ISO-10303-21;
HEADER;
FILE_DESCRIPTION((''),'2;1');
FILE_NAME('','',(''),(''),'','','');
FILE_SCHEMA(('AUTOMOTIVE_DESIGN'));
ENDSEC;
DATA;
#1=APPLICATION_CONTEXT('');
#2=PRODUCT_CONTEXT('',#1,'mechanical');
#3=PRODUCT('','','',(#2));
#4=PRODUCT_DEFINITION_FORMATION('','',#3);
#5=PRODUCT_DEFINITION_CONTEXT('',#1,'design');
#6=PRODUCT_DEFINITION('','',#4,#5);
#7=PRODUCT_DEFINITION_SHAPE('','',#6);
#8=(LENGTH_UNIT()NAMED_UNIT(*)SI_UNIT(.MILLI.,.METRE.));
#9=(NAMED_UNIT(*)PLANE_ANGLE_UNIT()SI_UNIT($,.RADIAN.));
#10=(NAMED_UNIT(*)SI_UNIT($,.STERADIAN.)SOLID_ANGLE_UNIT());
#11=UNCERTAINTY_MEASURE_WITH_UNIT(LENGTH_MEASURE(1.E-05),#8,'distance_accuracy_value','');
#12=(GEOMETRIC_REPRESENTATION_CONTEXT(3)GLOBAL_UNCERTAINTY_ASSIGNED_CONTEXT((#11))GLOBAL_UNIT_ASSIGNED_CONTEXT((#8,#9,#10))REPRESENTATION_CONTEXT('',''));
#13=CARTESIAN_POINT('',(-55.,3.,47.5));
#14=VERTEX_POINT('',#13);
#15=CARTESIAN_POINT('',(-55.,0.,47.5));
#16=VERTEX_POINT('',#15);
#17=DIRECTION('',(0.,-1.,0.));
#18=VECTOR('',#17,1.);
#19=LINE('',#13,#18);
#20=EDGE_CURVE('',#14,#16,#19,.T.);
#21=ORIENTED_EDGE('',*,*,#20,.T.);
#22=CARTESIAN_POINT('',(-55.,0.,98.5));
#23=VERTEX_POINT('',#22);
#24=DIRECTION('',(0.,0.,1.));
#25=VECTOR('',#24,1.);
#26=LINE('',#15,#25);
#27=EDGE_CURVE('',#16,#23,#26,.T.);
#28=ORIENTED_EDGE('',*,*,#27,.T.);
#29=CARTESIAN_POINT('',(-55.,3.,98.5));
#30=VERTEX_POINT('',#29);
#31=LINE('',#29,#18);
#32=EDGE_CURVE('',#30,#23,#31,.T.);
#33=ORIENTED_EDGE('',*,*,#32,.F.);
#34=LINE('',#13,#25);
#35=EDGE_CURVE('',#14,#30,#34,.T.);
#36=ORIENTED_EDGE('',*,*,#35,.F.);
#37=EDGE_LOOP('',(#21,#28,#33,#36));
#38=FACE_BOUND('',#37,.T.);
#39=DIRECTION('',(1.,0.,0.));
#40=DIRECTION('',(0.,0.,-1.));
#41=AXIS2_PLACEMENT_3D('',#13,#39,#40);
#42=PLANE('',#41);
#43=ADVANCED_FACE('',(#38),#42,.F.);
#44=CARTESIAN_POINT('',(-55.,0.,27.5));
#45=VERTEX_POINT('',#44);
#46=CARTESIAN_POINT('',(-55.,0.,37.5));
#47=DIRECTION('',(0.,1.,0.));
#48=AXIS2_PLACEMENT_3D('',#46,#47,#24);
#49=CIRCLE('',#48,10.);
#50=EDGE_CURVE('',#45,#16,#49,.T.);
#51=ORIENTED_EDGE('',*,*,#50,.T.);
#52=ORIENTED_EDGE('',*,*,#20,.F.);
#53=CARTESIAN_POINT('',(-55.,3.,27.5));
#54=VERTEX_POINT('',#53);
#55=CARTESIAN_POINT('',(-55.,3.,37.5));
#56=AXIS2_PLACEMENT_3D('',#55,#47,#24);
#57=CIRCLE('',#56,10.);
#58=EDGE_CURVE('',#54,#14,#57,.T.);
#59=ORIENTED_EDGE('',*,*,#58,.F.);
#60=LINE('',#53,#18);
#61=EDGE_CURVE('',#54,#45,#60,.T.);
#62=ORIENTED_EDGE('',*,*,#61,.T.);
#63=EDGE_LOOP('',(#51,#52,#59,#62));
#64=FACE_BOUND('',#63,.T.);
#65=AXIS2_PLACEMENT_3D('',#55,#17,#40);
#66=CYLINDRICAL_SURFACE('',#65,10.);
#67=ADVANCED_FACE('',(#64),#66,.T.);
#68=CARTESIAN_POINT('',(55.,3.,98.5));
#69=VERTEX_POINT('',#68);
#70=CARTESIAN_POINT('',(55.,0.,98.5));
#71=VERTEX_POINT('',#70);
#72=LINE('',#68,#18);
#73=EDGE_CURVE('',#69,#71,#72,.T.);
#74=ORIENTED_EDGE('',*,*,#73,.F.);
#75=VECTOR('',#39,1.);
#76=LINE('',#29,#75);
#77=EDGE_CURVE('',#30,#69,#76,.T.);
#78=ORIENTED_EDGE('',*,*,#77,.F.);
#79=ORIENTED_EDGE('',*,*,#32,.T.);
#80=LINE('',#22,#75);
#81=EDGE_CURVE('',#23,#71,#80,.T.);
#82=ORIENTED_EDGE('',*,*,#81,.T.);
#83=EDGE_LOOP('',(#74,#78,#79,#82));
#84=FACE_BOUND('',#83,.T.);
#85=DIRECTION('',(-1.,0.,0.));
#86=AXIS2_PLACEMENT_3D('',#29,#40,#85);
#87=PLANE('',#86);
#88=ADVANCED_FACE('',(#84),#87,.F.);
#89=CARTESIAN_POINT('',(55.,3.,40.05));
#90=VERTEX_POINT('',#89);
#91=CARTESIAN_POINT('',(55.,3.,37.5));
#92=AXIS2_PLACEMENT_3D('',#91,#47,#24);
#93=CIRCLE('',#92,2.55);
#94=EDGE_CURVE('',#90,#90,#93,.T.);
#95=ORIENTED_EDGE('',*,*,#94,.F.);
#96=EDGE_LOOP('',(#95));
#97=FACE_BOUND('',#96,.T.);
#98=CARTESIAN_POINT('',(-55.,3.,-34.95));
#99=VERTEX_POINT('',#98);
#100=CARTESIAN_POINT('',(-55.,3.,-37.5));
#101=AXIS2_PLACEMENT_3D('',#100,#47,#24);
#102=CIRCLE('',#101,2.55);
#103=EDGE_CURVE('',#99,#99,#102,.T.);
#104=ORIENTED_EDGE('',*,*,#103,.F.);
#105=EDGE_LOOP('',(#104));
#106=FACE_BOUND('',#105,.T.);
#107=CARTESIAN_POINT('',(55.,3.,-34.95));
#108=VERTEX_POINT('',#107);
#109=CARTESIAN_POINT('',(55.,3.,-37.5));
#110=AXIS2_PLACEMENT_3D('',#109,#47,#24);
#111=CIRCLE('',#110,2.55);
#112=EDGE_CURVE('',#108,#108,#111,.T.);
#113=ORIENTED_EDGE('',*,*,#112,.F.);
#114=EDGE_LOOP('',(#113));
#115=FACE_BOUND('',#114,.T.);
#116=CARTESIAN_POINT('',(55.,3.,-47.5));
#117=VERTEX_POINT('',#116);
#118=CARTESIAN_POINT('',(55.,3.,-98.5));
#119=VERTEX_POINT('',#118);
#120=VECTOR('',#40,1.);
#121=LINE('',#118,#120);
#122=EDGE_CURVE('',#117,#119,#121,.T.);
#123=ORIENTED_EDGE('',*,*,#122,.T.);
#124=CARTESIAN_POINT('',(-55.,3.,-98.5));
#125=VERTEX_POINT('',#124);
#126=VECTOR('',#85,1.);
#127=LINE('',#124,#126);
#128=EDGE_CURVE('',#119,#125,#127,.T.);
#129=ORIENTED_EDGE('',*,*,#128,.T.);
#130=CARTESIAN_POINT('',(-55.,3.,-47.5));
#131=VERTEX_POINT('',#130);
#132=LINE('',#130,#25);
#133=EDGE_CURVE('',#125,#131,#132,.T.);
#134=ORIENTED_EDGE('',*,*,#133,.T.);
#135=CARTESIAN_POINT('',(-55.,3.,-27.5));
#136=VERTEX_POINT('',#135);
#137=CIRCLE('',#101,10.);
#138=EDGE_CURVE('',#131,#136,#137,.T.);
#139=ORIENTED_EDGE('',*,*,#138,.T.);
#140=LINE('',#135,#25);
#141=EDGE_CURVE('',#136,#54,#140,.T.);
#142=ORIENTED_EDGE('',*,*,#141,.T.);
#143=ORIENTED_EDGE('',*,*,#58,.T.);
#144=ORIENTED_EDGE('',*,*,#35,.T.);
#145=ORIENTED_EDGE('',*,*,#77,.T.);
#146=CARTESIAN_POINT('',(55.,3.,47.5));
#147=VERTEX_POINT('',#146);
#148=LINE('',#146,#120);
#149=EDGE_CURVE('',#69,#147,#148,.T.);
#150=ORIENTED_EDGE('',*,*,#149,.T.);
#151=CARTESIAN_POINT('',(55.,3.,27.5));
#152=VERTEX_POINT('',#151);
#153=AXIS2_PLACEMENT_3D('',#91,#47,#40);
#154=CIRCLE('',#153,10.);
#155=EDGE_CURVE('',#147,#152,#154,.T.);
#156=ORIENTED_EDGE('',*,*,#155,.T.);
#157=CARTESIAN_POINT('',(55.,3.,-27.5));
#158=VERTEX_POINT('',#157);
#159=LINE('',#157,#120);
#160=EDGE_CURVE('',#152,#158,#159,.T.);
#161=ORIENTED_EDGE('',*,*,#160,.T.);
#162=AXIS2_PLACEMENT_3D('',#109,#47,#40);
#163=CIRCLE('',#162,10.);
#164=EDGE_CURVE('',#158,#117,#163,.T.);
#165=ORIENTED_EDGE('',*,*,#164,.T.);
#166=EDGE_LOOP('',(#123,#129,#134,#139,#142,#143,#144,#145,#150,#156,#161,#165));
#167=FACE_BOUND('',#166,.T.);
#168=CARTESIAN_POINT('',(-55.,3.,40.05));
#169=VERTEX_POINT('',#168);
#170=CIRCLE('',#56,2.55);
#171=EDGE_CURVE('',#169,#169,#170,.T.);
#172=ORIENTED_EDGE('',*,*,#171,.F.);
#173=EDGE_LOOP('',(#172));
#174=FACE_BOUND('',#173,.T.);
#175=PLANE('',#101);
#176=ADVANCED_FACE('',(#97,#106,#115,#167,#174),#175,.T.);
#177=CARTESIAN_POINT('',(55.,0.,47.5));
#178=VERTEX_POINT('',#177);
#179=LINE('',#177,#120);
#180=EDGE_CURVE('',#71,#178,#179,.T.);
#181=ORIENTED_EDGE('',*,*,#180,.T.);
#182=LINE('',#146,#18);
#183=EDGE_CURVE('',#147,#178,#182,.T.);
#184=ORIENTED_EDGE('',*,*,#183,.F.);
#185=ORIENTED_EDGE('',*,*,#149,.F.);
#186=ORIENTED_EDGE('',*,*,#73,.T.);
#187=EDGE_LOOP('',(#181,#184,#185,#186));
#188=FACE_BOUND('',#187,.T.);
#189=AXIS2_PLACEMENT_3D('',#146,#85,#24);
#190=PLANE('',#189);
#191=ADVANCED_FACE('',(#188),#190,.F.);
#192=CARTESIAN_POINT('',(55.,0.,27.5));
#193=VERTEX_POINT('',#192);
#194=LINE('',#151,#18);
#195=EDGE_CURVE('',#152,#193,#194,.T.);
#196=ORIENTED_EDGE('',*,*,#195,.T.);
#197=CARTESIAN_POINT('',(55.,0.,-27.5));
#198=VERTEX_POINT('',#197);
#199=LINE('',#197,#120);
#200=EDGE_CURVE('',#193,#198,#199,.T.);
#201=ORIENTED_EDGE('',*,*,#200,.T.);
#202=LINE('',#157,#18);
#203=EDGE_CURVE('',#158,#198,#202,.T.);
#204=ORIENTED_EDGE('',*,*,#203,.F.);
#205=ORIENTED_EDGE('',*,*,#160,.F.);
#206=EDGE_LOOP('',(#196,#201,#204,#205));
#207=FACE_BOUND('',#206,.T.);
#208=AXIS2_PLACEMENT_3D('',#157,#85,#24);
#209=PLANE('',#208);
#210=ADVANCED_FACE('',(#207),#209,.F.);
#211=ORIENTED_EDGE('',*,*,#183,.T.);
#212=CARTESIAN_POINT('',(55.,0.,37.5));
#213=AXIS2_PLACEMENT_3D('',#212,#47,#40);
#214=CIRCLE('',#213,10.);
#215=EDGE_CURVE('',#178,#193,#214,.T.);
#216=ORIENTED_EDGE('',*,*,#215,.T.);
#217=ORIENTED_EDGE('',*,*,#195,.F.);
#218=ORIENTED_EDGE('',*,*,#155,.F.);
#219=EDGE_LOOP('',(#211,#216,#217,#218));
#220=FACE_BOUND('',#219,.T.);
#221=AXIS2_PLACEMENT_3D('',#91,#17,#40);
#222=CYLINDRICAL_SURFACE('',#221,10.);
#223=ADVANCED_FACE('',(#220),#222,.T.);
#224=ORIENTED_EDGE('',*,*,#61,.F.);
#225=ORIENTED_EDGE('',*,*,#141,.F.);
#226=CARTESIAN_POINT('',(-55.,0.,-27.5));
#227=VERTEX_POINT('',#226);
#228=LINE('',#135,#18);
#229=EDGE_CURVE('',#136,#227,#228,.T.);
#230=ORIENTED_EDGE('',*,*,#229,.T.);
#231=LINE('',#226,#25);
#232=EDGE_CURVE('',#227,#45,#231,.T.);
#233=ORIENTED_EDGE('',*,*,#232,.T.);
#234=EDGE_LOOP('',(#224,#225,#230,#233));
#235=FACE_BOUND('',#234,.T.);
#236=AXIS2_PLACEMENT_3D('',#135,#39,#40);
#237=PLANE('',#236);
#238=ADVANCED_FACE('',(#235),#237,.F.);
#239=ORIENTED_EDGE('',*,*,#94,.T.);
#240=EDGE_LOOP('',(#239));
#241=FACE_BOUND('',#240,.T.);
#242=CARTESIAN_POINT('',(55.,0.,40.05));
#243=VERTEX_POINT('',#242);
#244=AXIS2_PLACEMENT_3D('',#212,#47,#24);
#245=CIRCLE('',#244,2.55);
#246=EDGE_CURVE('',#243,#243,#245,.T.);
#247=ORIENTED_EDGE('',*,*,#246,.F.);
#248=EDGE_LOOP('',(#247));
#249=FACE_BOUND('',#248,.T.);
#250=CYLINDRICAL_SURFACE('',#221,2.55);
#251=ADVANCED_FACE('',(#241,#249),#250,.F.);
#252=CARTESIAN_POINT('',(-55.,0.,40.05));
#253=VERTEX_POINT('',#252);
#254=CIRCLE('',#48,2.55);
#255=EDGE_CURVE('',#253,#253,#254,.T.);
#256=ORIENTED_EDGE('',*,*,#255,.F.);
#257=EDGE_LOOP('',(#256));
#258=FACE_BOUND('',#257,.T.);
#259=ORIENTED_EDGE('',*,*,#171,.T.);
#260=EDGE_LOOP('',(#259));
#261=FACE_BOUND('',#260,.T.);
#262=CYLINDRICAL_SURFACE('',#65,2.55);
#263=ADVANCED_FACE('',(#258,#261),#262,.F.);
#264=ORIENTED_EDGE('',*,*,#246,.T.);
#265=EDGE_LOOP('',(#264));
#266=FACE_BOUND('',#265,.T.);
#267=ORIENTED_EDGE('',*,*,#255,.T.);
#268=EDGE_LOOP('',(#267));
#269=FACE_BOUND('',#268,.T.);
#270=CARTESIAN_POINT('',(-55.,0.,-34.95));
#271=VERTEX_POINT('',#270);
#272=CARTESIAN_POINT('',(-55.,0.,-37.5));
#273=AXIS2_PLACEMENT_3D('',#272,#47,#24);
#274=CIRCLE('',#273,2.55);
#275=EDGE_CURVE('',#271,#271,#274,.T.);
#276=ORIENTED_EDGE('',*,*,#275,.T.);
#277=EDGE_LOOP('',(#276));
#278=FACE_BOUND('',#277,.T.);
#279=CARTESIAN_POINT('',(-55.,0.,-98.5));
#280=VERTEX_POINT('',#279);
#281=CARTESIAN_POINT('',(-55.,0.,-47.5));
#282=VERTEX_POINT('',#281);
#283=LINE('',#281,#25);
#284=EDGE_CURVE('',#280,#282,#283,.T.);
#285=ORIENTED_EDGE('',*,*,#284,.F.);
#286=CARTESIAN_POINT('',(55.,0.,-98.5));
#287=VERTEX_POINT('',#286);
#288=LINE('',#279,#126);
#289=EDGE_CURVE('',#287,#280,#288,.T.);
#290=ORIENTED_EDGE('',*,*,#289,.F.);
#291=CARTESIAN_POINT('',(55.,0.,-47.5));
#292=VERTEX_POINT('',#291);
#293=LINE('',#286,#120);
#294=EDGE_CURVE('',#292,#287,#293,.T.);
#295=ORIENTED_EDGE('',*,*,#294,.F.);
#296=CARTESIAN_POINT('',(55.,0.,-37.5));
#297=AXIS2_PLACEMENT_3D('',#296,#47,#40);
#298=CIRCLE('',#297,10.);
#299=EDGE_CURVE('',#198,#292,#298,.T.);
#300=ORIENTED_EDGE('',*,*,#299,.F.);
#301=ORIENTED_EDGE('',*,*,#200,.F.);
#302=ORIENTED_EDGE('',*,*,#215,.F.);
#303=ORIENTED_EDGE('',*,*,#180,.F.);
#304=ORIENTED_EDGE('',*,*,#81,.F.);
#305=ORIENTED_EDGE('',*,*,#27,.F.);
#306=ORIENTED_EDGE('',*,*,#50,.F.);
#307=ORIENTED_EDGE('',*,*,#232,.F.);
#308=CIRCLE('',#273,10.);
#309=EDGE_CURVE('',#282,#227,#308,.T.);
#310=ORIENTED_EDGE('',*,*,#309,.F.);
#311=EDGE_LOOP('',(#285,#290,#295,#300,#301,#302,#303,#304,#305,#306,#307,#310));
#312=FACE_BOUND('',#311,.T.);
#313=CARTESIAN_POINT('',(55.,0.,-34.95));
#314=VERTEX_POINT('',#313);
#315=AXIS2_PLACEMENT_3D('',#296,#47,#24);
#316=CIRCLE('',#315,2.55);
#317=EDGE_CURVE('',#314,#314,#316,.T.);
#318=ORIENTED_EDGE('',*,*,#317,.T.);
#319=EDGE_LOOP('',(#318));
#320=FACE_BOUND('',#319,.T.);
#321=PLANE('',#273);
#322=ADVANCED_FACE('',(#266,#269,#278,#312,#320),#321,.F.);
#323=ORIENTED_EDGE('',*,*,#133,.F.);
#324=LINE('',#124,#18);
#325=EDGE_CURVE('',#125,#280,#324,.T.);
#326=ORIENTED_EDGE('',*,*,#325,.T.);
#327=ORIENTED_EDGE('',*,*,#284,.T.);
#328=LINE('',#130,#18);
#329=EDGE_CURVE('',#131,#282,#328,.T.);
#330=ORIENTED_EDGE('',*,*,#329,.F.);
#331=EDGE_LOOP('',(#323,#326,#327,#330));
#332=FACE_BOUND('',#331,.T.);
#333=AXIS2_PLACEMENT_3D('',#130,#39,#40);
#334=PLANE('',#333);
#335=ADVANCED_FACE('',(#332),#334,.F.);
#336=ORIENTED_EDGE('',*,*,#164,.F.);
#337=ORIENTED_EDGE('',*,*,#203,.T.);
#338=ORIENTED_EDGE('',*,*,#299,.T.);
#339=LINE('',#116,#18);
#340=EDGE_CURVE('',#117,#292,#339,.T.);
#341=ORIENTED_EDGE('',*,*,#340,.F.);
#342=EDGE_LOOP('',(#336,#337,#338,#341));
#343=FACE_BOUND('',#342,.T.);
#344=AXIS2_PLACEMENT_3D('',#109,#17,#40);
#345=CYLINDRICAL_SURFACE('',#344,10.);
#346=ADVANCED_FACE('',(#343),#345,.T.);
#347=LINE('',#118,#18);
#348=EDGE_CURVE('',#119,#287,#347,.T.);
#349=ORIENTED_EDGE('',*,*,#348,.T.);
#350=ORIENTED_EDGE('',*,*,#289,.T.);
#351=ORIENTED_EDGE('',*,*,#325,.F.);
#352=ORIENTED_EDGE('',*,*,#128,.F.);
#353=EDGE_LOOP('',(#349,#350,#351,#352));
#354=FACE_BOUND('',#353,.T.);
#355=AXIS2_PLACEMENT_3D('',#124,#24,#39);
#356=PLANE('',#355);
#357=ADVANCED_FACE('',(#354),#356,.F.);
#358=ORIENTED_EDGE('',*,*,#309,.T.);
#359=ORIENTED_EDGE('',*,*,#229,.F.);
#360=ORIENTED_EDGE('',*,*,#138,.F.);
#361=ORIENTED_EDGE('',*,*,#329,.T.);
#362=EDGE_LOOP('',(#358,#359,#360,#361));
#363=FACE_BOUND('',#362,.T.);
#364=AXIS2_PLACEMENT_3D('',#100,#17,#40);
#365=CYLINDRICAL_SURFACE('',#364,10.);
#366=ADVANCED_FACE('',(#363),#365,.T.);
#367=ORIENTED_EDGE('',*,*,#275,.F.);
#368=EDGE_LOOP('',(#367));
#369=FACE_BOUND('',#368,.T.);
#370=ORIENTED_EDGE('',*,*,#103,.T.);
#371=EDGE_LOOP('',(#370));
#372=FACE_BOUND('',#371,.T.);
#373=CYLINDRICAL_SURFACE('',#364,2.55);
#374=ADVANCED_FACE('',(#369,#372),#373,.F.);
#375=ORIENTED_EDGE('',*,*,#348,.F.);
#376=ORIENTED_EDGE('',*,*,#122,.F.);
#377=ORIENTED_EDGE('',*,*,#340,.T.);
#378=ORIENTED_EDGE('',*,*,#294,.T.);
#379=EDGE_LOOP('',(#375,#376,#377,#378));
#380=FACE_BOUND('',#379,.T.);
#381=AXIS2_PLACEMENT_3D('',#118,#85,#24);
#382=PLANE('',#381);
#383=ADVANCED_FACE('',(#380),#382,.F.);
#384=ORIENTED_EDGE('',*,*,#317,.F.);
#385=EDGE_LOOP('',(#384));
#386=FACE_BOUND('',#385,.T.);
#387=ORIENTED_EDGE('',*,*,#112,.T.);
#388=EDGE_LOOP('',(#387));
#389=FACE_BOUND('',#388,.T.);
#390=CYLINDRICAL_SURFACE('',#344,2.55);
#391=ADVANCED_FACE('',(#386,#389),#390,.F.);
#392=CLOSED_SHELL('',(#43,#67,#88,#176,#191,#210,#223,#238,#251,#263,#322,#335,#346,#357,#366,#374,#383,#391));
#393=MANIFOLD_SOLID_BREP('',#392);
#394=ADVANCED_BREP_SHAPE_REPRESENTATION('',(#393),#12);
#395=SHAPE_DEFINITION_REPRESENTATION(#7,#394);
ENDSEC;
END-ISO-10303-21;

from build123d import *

# Parameters (mm, degrees)
SKETCH1_R           = 2.55
BOSS_EXTRUDE1_DEPTH = 3


with BuildPart() as part:
    # Sketch1 → Boss-Extrude1 (new body)
    with BuildSketch(Plane(origin=(0, 0, 0), x_dir=(1, 0, 0), z_dir=(0, 1, 0))):
        with BuildLine():
            Line((-55, 27.5), (-55, -27.5))
            ThreePointArc((-55, -27.5), (-65, -37.5), (-55, -47.5))
            Line((-55, -47.5), (-55, -98.5))
            Line((-55, -98.5), (55, -98.5))
            Line((55, -98.5), (55, -47.5))
            ThreePointArc((55, -47.5), (65, -37.5), (55, -27.5))
            Line((55, -27.5), (55, 27.5))
            ThreePointArc((55, 27.5), (65, 37.5), (55, 47.5))
            Line((55, 47.5), (55, 98.5))
            Line((55, 98.5), (-55, 98.5))
            Line((-55, 98.5), (-55, 47.5))
            ThreePointArc((-55, 47.5), (-65, 37.5), (-55, 27.5))
        make_face()
        with Locations(Location((-55, 37.5, 0), (0, 0, 270))):
            Circle(SKETCH1_R, mode=Mode.SUBTRACT)
        with Locations(Location((55, 37.5, 0), (0, 0, 270))):
            Circle(SKETCH1_R, mode=Mode.SUBTRACT)
        with Locations(Location((-55, -37.5, 0), (0, 0, 270))):
            Circle(SKETCH1_R, mode=Mode.SUBTRACT)
        with Locations(Location((55, -37.5, 0), (0, 0, 270))):
            Circle(SKETCH1_R, mode=Mode.SUBTRACT)
    extrude(amount=BOSS_EXTRUDE1_DEPTH)


solid = part.part
